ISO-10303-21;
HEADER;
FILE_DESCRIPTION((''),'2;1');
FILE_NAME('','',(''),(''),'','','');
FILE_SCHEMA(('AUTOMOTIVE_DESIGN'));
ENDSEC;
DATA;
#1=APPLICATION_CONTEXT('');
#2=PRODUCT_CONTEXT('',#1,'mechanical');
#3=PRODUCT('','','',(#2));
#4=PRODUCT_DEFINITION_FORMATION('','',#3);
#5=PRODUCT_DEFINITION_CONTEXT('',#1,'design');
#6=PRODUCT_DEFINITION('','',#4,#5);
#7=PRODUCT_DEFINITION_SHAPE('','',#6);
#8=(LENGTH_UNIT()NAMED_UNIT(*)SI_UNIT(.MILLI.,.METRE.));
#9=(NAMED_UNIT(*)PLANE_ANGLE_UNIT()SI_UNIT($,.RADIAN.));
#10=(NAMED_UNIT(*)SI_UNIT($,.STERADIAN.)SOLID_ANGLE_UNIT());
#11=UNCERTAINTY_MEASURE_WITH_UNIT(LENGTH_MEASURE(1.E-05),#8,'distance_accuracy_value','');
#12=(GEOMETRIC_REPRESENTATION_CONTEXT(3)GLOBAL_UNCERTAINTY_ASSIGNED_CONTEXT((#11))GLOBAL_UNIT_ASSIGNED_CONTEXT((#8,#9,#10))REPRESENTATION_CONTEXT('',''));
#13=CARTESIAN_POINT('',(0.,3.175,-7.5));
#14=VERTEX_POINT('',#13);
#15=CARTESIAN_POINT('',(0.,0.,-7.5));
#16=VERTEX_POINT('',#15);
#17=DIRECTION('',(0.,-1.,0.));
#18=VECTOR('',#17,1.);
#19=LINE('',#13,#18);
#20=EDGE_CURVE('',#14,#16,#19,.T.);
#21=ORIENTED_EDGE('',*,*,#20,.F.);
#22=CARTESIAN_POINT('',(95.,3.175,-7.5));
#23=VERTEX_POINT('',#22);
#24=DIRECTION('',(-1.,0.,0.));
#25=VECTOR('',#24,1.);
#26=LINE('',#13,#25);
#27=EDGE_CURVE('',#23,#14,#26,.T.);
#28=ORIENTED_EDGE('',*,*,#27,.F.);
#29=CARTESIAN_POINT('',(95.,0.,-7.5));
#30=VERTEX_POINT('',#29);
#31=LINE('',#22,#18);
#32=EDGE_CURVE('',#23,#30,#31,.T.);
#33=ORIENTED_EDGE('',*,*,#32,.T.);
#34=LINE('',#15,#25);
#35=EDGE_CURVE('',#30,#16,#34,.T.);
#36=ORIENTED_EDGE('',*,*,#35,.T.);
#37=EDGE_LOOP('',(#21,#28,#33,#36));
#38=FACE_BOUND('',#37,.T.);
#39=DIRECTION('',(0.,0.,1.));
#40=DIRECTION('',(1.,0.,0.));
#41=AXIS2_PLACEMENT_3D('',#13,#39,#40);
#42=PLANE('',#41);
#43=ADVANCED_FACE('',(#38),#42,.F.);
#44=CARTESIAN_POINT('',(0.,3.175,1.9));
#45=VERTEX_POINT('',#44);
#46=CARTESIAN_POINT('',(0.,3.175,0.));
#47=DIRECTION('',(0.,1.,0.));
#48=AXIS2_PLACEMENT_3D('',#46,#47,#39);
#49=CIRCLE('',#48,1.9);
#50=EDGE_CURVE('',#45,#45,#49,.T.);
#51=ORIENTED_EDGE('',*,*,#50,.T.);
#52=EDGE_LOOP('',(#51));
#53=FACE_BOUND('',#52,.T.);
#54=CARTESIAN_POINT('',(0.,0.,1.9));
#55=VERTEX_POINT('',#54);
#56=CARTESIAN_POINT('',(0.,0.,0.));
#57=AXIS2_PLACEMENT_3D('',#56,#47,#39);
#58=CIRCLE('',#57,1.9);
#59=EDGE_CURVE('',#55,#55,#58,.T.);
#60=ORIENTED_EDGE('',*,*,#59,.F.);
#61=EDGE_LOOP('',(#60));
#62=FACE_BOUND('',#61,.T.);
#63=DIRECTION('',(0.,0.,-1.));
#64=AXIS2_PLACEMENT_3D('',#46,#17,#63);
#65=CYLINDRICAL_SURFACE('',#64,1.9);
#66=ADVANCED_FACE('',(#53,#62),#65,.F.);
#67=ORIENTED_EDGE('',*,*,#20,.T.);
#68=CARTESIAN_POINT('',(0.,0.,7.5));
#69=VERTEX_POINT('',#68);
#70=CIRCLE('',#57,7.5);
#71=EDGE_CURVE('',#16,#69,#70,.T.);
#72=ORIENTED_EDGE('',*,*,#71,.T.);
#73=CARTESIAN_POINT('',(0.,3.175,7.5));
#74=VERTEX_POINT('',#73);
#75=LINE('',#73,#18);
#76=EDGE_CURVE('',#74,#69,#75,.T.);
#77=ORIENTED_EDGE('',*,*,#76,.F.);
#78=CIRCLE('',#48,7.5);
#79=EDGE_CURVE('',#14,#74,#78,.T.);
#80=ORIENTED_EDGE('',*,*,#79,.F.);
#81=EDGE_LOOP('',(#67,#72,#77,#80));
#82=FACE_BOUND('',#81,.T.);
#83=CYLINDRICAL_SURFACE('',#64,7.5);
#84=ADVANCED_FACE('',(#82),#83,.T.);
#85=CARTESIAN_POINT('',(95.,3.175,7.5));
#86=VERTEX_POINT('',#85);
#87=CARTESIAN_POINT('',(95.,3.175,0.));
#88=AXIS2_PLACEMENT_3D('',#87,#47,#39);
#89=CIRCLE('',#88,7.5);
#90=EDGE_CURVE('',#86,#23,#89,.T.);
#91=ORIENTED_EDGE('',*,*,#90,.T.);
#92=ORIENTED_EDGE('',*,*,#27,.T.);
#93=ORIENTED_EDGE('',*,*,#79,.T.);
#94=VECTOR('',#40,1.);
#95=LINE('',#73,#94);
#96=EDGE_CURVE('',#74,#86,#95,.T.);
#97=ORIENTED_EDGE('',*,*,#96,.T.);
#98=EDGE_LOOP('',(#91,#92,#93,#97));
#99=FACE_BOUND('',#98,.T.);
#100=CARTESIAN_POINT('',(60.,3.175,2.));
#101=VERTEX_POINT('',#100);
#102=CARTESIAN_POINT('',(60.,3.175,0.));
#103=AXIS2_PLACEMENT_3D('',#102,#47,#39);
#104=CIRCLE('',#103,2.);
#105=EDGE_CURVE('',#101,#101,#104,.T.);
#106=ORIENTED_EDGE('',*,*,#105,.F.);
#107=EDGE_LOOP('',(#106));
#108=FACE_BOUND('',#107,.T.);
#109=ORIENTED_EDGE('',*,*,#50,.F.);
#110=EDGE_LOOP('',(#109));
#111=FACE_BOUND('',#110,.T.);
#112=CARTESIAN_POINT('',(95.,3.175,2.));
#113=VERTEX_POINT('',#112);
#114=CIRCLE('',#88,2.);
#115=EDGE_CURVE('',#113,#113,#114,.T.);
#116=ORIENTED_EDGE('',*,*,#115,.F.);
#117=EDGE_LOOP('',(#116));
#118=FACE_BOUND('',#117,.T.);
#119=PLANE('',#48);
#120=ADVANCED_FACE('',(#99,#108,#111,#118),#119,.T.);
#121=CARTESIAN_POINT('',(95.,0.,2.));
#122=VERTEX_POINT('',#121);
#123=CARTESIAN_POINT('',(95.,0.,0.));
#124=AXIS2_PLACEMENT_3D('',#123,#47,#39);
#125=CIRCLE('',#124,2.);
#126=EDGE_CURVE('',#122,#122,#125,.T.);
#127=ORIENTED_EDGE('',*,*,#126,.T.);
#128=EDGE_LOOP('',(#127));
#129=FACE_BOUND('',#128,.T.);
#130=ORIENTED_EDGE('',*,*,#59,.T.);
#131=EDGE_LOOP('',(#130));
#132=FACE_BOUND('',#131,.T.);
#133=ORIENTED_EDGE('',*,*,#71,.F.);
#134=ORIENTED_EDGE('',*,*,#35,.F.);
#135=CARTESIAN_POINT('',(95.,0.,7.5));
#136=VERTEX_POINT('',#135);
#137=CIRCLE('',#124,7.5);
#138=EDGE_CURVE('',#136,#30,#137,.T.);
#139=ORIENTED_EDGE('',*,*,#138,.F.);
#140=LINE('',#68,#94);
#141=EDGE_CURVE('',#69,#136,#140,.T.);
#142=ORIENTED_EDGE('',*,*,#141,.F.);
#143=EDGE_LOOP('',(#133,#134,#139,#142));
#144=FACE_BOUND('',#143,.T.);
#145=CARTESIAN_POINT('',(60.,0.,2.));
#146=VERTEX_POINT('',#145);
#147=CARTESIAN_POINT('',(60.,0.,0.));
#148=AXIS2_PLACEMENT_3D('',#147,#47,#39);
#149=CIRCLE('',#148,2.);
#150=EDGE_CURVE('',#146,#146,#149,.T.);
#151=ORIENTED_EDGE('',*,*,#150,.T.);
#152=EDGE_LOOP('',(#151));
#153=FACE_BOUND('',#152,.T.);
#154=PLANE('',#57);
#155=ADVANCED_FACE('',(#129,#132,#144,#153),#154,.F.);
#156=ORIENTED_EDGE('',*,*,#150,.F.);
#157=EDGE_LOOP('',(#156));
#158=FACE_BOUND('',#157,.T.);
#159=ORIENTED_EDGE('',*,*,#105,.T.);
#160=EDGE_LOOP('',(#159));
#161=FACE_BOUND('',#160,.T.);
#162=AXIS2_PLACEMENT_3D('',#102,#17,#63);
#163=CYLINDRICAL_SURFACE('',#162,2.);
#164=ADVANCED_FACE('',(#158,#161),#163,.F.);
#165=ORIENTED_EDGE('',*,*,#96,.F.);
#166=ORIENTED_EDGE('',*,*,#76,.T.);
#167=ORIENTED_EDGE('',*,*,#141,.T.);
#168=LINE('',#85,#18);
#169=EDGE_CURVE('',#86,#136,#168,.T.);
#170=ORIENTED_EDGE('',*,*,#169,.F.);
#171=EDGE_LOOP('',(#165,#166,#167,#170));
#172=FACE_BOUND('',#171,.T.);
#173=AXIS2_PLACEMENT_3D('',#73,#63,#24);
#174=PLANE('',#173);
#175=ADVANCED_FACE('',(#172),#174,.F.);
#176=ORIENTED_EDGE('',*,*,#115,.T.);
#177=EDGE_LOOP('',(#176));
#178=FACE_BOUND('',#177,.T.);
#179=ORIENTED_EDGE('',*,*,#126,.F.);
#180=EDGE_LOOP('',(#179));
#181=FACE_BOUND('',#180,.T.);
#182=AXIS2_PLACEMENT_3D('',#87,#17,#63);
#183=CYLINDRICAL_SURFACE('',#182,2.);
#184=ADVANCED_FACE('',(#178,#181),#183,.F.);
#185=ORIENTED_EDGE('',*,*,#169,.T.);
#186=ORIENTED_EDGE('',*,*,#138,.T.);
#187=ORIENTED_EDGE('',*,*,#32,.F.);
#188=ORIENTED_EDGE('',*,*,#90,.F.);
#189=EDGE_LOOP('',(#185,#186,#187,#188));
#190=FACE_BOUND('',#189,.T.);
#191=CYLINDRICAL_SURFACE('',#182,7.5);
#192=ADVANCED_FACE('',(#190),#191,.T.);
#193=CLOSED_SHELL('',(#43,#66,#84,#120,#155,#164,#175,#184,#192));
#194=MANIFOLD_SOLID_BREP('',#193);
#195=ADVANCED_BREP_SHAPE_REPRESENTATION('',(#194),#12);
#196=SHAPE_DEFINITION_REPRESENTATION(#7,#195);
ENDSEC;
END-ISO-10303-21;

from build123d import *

# Parameters (mm, degrees)
SKETCH1_R           = 1.9
SKETCH1_R_2         = 2
BOSS_EXTRUDE1_DEPTH = 3.175


with BuildPart() as part:
    # Sketch1 → Boss-Extrude1 (new body)
    with BuildSketch(Plane(origin=(0, 0, 0), x_dir=(1, 0, 0), z_dir=(0, 1, 0))):
        with BuildLine():
            Line((0, 7.5), (95, 7.5))
            ThreePointArc((95, 7.5), (102.5, 0), (95, -7.5))
            Line((95, -7.5), (0, -7.5))
            ThreePointArc((0, -7.5), (-7.5, 0), (0, 7.5))
        make_face()
        with Locations(Location((0, 0, 0), (0, 0, 270))):
            Circle(SKETCH1_R, mode=Mode.SUBTRACT)
        with Locations(Location((60, 0, 0), (0, 0, 270))):
            Circle(SKETCH1_R_2, mode=Mode.SUBTRACT)
        with Locations(Location((95, 0, 0), (0, 0, 270))):
            Circle(SKETCH1_R_2, mode=Mode.SUBTRACT)
    extrude(amount=BOSS_EXTRUDE1_DEPTH)


solid = part.part
